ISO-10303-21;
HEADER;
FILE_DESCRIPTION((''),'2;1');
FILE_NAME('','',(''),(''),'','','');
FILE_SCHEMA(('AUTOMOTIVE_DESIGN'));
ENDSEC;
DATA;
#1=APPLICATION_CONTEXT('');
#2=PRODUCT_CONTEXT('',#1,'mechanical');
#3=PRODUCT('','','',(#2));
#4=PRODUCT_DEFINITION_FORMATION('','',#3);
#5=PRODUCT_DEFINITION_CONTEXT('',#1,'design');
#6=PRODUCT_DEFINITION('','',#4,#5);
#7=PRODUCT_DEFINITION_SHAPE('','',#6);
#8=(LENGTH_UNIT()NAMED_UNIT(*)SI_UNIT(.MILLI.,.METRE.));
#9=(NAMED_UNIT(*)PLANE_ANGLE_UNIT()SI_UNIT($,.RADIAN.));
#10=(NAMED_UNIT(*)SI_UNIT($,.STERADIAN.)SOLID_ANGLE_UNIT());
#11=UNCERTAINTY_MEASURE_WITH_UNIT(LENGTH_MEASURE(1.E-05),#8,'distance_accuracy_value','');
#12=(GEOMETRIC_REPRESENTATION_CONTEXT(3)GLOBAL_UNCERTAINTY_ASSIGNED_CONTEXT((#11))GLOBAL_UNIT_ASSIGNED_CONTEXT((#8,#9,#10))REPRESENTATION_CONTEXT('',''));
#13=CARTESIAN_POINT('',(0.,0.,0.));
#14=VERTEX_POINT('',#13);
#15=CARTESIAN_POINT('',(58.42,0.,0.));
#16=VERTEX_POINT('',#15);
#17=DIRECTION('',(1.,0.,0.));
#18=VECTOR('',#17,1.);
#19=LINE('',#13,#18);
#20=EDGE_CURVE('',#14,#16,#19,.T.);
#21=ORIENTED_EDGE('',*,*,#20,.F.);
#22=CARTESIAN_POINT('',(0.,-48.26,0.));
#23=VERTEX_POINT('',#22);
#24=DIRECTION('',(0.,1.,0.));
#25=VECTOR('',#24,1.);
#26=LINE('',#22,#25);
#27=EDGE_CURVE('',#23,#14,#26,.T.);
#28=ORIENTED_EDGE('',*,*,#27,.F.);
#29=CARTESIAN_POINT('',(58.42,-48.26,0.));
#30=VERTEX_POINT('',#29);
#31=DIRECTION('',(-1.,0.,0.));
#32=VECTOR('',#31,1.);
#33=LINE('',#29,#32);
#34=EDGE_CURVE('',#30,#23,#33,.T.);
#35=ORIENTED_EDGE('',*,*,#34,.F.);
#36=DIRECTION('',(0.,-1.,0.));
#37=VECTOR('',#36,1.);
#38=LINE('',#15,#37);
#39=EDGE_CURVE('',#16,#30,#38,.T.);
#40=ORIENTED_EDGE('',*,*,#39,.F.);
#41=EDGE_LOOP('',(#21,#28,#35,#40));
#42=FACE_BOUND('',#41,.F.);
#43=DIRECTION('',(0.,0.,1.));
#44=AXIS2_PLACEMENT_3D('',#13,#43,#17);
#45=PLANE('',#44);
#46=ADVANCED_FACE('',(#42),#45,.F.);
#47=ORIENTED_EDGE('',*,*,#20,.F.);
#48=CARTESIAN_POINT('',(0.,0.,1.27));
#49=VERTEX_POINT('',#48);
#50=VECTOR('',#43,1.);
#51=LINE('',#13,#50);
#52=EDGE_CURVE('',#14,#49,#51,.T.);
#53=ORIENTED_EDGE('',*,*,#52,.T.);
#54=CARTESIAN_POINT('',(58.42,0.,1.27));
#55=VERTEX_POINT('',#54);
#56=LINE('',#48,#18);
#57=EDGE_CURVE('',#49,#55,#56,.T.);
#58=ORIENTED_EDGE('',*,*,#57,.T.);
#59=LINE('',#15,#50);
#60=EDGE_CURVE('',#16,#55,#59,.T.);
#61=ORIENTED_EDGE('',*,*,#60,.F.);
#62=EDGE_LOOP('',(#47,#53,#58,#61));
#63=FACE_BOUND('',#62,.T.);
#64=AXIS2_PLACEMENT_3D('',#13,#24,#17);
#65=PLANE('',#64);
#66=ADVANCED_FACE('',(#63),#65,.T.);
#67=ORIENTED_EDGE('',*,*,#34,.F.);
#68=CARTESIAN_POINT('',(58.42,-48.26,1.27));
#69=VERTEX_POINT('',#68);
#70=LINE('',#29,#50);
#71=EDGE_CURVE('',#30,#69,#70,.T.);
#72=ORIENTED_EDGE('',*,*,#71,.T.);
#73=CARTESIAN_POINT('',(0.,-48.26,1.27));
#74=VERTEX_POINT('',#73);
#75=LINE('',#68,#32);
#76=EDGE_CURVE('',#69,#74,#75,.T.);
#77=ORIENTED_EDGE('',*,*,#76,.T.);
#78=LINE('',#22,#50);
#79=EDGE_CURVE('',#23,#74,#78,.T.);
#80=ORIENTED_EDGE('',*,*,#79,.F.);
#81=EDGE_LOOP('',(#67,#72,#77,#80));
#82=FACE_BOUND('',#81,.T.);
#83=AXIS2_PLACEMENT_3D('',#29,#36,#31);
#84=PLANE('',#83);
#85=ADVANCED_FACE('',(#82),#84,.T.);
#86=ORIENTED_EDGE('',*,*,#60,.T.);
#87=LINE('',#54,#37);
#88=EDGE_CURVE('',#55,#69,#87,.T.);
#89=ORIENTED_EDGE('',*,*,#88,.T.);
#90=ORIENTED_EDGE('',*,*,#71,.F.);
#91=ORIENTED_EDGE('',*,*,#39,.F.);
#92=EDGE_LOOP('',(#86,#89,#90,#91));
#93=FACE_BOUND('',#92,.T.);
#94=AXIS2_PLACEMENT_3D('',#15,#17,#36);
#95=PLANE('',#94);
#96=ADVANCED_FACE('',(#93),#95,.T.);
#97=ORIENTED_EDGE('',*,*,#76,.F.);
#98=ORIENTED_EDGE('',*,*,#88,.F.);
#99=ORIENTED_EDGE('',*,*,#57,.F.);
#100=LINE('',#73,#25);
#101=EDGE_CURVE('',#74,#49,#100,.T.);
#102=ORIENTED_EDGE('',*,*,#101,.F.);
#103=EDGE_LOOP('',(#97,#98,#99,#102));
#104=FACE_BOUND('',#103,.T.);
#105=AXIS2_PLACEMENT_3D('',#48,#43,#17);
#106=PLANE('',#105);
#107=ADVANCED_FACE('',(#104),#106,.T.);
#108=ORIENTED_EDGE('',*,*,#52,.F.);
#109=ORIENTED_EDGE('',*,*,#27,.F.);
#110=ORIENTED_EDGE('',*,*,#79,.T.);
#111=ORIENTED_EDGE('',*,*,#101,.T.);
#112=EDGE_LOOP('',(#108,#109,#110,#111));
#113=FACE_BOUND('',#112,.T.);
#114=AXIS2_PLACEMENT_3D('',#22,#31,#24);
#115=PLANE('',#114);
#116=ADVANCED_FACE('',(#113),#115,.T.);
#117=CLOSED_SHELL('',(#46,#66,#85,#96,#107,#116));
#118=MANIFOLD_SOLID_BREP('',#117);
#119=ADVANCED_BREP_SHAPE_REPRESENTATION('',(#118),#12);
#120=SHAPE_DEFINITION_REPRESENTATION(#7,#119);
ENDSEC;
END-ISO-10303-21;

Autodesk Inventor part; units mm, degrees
ref_plane "YZ Plane" through (0, 0, 0) normal (1, 0, 0) x (0, 1, 0)
ref_plane "XZ Plane" through (0, 0, 0) normal (0, 1, 0) x (-1, 0, 0)
ref_plane "XY Plane" through (0, 0, 0) normal (0, 0, 1) x (1, 0, 0)
sketch "Sketch1" plane through (0, 0, 0) normal (0, 0, 1) x (1, 0, 0)
  line L0 (0, 0) -> (58.42, 0)
  line L1 (58.42, 0) -> (58.42, -48.26)
  line L2 (58.42, -48.26) -> (0, -48.26)
  line L3 (0, -48.26) -> (0, 0)
  dimension "d0" = 58.42
  dimension "d1" = 48.26
extrude "Extrusion1" add sketch "Sketch1" along normal blind 1.27
properties part number "Box Cover"
